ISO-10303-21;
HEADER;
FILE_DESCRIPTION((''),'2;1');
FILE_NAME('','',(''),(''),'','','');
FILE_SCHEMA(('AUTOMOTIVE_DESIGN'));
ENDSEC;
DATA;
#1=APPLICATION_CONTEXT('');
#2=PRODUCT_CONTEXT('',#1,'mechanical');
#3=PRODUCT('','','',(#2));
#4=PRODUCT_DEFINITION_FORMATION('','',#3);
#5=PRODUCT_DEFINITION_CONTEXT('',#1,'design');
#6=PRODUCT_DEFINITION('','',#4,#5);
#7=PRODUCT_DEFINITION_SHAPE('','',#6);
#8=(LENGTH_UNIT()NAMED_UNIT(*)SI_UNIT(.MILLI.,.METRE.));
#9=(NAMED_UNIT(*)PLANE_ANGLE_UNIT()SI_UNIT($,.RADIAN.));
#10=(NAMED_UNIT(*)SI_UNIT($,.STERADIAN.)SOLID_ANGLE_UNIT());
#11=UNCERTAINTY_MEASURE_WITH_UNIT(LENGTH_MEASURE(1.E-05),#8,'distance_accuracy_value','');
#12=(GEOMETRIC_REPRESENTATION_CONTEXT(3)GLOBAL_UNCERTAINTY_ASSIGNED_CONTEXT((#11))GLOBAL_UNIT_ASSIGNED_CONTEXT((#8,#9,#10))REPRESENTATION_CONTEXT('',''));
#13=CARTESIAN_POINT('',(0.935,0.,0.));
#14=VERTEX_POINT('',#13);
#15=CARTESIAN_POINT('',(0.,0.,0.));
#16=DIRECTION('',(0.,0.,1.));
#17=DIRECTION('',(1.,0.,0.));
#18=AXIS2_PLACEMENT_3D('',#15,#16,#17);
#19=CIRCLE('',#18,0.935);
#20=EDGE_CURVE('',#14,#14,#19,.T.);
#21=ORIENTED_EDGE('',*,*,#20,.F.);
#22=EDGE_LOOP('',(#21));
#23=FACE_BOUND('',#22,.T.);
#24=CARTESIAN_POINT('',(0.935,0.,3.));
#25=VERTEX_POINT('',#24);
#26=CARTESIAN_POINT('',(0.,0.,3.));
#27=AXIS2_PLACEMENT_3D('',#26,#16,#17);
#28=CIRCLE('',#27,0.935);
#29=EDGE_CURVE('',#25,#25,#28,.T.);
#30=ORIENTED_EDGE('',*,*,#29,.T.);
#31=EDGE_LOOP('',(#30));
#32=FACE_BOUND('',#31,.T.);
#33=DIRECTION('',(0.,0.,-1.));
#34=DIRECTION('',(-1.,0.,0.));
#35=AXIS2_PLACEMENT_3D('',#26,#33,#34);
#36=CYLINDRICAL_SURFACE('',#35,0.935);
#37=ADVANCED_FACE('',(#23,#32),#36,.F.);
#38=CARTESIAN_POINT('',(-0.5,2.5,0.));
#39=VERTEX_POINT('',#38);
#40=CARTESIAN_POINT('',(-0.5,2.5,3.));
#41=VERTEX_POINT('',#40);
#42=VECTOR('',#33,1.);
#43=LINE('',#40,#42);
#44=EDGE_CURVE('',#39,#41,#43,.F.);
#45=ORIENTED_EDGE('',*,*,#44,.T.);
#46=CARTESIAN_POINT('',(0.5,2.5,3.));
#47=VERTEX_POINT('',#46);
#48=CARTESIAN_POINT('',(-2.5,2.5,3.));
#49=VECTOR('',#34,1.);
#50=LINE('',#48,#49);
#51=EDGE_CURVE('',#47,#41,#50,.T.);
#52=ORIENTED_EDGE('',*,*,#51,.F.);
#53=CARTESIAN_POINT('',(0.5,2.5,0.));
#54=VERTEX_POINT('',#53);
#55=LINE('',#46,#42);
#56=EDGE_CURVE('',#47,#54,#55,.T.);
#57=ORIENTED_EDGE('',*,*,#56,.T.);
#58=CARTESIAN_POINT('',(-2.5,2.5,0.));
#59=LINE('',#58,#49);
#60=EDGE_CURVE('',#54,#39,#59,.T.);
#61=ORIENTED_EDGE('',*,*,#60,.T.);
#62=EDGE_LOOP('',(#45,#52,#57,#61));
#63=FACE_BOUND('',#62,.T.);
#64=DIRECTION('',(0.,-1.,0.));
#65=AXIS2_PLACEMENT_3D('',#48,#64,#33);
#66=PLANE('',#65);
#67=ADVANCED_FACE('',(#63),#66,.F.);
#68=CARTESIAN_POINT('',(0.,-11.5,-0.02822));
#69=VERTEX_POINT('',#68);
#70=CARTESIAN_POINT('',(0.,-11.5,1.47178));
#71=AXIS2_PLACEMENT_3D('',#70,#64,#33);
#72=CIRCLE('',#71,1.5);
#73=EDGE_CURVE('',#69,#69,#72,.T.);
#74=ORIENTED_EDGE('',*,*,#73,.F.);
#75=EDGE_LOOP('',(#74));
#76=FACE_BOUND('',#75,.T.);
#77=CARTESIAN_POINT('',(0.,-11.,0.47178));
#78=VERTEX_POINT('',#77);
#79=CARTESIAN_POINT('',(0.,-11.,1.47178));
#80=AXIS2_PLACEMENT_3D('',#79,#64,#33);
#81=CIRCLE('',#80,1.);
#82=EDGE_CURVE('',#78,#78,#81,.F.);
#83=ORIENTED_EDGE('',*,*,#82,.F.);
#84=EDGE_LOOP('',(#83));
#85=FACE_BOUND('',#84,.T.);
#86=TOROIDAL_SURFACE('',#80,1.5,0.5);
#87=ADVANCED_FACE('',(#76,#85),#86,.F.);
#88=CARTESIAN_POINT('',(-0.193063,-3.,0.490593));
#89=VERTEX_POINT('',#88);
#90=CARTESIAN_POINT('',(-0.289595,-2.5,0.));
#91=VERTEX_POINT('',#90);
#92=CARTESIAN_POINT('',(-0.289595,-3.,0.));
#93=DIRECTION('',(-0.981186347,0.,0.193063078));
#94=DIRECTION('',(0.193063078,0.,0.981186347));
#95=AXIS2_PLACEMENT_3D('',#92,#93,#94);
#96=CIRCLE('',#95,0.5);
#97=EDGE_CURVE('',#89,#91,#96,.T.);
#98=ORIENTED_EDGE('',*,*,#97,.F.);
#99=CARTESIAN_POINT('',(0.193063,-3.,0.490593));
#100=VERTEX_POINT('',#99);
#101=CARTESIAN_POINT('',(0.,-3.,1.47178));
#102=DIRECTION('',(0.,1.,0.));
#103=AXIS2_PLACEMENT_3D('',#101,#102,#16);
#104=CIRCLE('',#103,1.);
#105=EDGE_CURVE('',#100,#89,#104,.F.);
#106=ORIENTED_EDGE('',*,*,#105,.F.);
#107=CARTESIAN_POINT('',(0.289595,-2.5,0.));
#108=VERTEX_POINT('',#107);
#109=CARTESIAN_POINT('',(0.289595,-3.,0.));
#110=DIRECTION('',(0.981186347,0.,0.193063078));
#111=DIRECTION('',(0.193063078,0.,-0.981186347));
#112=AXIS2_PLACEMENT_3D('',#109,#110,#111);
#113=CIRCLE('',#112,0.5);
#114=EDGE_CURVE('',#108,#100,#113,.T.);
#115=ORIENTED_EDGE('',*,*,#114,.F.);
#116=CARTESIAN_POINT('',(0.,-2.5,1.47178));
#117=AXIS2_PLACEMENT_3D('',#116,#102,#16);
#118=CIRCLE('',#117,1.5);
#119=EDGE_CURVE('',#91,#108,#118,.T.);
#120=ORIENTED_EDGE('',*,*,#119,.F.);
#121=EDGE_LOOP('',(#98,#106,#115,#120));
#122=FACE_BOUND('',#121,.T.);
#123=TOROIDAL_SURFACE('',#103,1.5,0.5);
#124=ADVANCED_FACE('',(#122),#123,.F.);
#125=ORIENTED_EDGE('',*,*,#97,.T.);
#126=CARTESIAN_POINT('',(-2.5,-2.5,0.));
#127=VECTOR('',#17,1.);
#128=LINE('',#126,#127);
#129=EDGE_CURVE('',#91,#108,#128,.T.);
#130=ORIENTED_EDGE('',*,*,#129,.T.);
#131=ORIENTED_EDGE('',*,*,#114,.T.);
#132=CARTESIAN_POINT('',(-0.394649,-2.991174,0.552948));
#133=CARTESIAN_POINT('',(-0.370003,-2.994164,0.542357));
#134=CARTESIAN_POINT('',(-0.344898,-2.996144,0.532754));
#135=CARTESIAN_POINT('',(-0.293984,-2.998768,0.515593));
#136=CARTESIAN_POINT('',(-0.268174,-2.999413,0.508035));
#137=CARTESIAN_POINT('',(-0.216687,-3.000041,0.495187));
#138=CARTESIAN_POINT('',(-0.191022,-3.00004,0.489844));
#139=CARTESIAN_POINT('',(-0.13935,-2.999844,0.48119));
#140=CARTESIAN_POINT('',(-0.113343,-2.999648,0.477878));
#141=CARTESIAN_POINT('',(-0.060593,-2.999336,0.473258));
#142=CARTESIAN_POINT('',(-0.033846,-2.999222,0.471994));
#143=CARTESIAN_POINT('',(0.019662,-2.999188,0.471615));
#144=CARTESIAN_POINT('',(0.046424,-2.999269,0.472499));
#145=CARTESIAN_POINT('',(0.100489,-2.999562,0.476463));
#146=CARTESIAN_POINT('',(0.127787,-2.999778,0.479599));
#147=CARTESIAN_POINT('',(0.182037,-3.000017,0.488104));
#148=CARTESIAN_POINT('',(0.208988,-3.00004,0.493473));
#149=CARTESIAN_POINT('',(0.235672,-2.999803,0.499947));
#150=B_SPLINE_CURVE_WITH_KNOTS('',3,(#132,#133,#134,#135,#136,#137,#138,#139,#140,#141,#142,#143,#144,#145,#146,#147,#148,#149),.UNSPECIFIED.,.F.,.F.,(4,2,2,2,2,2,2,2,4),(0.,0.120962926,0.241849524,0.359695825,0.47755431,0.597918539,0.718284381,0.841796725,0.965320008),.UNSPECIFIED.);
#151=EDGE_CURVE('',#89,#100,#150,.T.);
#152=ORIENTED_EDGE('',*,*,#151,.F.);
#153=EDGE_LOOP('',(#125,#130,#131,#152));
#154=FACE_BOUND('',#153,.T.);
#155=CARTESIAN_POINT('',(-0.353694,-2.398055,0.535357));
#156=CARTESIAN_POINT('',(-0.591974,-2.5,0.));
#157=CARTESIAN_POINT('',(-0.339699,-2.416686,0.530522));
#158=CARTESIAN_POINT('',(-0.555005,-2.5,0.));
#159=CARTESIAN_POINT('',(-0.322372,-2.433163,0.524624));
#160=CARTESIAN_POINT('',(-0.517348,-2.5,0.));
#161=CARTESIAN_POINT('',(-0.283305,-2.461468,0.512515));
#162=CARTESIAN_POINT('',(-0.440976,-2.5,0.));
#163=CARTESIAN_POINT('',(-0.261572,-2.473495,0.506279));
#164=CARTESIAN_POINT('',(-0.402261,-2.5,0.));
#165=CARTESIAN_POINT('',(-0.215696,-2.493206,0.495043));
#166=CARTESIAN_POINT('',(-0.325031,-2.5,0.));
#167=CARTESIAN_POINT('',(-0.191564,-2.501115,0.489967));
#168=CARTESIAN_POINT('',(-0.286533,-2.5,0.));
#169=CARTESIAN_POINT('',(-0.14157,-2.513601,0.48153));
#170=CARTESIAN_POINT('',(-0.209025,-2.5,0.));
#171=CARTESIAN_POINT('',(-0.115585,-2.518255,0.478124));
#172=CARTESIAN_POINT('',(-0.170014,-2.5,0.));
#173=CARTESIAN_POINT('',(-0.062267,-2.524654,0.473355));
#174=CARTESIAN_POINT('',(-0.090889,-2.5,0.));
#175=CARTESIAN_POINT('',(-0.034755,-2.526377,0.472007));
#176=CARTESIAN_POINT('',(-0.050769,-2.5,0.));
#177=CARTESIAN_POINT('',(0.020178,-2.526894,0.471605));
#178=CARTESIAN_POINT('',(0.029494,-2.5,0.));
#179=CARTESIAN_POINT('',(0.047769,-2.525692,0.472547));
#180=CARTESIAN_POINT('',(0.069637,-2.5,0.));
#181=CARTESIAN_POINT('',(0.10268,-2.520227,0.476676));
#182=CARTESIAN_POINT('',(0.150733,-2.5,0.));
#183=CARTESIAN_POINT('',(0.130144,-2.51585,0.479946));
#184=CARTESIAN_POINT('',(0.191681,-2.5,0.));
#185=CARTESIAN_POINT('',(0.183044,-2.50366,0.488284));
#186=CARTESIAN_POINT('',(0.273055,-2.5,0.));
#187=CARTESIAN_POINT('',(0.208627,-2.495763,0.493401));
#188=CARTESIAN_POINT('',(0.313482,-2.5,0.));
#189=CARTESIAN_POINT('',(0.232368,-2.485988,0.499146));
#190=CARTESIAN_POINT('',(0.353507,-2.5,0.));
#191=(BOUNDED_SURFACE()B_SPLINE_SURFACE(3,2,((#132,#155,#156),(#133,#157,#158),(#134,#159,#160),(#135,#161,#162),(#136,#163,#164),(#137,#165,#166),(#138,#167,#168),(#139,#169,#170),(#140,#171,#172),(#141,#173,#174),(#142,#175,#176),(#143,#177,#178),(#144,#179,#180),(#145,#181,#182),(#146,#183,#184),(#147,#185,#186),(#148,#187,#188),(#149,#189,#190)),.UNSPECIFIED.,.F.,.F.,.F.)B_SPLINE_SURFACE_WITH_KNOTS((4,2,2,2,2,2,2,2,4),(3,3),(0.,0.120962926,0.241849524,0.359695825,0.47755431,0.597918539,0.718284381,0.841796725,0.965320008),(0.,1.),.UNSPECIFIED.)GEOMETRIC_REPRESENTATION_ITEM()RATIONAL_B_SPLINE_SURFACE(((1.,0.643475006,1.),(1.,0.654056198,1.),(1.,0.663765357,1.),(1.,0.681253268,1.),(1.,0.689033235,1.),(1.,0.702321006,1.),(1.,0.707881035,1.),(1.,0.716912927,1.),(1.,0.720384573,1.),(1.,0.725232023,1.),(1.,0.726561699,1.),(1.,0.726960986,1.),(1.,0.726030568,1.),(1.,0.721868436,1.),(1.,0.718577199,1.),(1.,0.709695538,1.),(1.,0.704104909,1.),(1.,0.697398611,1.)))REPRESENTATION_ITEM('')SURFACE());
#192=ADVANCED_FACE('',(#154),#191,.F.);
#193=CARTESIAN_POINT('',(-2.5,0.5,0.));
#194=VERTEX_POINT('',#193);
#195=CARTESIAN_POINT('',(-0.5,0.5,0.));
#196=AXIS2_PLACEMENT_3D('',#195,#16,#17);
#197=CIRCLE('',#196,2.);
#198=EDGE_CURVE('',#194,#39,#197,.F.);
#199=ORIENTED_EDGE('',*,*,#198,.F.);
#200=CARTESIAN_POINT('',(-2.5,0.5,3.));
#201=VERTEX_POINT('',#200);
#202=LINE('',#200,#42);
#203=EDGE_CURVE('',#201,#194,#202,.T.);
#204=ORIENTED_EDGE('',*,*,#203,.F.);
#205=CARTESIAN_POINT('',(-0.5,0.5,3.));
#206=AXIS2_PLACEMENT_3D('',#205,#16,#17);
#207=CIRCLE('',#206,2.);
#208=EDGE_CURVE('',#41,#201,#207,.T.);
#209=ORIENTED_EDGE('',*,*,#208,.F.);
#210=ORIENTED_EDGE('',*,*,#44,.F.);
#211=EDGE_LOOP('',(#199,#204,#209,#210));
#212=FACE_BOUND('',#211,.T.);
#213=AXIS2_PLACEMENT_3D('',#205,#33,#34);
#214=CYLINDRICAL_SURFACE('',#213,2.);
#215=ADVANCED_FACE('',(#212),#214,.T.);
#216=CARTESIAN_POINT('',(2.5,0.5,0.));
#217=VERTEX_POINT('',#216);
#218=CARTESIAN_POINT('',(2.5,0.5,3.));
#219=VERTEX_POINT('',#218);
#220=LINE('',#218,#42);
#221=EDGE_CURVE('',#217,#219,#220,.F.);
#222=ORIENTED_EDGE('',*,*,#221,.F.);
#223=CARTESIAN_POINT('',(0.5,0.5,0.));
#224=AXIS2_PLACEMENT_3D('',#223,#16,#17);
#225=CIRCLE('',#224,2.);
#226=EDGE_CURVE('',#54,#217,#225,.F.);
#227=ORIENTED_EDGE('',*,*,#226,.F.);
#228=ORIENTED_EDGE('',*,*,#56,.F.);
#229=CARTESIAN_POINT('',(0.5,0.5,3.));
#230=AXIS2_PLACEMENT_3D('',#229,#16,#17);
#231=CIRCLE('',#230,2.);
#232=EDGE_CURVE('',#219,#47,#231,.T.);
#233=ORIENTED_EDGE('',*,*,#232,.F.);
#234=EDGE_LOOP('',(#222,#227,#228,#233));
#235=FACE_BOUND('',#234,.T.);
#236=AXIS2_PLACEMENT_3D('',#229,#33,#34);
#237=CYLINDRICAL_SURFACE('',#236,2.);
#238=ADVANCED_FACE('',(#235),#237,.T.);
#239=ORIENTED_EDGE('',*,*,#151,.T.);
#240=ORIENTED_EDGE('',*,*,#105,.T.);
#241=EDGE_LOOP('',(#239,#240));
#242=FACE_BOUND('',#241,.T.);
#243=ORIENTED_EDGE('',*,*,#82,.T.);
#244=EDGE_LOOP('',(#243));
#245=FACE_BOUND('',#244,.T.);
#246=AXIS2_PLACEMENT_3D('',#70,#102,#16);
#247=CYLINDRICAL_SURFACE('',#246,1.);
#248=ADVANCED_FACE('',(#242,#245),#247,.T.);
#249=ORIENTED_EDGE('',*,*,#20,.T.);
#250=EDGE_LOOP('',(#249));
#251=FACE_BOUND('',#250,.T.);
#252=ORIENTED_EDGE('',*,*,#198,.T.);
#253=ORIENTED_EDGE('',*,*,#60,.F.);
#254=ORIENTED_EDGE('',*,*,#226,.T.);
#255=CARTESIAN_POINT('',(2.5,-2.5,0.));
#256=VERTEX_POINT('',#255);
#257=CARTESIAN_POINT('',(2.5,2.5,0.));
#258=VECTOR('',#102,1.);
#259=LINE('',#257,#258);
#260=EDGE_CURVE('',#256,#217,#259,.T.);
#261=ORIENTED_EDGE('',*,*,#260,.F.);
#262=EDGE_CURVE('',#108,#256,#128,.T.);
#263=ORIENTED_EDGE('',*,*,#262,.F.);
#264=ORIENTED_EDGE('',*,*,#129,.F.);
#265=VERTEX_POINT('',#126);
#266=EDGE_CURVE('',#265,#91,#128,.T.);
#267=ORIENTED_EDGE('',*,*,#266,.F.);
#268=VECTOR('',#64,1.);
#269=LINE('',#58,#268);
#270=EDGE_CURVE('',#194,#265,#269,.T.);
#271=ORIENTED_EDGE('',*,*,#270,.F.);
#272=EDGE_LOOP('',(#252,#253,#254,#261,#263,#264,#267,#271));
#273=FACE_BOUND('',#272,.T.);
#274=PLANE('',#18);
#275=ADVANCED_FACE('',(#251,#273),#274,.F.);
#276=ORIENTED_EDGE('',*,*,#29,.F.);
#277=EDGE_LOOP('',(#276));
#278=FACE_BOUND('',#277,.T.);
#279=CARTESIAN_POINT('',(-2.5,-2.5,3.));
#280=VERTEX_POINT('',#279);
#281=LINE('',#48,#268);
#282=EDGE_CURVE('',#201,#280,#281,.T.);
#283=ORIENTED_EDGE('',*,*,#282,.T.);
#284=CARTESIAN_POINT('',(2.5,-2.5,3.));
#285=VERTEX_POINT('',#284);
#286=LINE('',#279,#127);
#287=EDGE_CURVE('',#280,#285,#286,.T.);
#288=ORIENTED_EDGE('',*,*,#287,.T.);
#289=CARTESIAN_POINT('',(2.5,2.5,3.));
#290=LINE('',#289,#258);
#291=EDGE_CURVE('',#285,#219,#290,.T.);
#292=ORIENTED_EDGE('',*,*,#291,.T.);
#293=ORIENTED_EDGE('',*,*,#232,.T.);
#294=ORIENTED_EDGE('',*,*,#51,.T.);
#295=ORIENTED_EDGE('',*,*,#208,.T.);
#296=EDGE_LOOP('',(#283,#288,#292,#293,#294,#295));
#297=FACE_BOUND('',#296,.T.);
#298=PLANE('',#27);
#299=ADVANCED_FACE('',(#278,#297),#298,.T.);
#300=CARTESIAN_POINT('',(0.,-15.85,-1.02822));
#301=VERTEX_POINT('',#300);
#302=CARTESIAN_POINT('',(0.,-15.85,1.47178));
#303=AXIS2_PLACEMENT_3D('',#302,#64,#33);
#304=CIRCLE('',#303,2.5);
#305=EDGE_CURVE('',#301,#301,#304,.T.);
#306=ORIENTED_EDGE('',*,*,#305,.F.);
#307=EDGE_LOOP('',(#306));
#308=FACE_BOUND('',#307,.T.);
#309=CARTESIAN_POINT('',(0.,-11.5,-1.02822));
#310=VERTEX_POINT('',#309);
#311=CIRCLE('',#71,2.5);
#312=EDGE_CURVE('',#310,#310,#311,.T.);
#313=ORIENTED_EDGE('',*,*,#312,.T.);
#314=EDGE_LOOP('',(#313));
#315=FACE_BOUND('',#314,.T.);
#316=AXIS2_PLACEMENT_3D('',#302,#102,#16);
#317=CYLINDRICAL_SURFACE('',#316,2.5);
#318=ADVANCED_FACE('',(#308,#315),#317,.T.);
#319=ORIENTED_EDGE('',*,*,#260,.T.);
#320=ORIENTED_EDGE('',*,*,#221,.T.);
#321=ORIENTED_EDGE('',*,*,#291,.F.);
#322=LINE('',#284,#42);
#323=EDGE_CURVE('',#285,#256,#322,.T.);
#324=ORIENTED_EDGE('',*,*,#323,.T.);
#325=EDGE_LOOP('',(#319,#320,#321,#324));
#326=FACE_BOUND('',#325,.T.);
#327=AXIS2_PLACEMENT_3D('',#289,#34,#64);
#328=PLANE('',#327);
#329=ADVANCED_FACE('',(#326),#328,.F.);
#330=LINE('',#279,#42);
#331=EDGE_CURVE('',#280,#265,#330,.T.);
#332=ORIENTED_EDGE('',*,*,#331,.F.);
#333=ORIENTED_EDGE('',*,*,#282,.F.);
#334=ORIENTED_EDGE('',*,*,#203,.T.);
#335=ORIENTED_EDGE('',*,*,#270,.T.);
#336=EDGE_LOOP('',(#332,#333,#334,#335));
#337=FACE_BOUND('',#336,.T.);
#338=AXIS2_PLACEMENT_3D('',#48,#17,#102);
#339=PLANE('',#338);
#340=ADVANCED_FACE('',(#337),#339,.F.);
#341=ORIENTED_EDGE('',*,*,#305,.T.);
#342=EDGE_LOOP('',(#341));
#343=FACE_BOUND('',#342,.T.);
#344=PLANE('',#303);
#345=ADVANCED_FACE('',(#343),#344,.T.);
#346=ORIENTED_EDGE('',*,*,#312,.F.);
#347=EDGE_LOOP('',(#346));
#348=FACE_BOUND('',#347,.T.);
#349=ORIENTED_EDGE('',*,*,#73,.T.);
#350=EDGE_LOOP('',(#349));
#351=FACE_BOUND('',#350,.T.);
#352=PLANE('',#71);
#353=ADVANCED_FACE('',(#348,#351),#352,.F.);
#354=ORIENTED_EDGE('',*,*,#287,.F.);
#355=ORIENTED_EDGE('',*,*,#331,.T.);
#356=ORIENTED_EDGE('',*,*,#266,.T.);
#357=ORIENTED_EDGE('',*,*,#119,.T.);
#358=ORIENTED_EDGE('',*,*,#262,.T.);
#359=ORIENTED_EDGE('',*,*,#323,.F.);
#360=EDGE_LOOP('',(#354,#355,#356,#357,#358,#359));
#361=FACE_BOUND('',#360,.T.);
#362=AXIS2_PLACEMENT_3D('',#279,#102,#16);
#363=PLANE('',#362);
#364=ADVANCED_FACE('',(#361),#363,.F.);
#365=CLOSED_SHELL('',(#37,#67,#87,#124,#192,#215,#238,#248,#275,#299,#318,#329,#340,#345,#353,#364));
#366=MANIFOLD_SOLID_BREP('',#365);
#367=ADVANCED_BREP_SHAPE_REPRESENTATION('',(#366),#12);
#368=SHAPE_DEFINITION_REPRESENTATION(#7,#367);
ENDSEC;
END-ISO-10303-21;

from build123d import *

# Parameters (mm, degrees)
SKETCH1_W           = 5
SKETCH1_H           = 5
SKETCH1_R           = 0.935
BOSS_EXTRUDE3_DEPTH = 3
FILLET3_R           = 2
BOSS_EXTRUDE4_DEPTH = 9
FILLET5_R           = 0.5
SKETCH6_R           = 2.5
BOSS_EXTRUDE5_DEPTH = 4.35
FILLET6_R           = 0.5


with BuildPart() as part:
    # Sketch1 → Boss-Extrude3 (new body)
    with BuildSketch(Plane.XY):
        Rectangle(SKETCH1_W, SKETCH1_H)
        Circle(SKETCH1_R, mode=Mode.SUBTRACT)
    extrude(amount=BOSS_EXTRUDE3_DEPTH)

    # Fillet3
    fillet3_edges = [part.edges().sort_by_distance(p)[0] for p in [
        (-2.5, 2.5, 1.5),
        (2.5, 2.5, 1.5),
    ]]
    fillet(fillet3_edges, radius=FILLET3_R)

    # Sketch3 → Boss-Extrude4 (add)
    with BuildSketch(Plane.XZ.offset(2.5)):
        with BuildLine():
            ThreePointArc((0, 2.471779521), (-1, 1.471779521), (0, 0.471779521))
            Line((0, 0.471779521), (0, 2.471779521))
        make_face()
        with BuildLine():
            Line((0, 2.471779521), (0, 0.471779521))
            ThreePointArc((0, 0.471779521), (0.707106781, 0.76467274), (1, 1.471779521))
            ThreePointArc((1, 1.471779521), (0.707106781, 2.178886302), (0, 2.471779521))
        make_face()
    extrude(amount=BOSS_EXTRUDE4_DEPTH)

    # Fillet5
    fillet5_edges = [part.edges().sort_by_distance(p)[0] for p in [
        (0, -2.5, 0.471779521),
    ]]
    fillet(fillet5_edges, radius=FILLET5_R)

    # Sketch6 → Boss-Extrude5 (add)
    with BuildSketch(Plane.XZ.offset(11.5)):
        with Locations((0, 1.471779521)):
            Circle(SKETCH6_R)
    extrude(amount=BOSS_EXTRUDE5_DEPTH)

    # Fillet6
    fillet6_edges = [part.edges().sort_by_distance(p)[0] for p in [
        (0, -11.5, 0.471779521),
    ]]
    fillet(fillet6_edges, radius=FILLET6_R)


solid = part.part
